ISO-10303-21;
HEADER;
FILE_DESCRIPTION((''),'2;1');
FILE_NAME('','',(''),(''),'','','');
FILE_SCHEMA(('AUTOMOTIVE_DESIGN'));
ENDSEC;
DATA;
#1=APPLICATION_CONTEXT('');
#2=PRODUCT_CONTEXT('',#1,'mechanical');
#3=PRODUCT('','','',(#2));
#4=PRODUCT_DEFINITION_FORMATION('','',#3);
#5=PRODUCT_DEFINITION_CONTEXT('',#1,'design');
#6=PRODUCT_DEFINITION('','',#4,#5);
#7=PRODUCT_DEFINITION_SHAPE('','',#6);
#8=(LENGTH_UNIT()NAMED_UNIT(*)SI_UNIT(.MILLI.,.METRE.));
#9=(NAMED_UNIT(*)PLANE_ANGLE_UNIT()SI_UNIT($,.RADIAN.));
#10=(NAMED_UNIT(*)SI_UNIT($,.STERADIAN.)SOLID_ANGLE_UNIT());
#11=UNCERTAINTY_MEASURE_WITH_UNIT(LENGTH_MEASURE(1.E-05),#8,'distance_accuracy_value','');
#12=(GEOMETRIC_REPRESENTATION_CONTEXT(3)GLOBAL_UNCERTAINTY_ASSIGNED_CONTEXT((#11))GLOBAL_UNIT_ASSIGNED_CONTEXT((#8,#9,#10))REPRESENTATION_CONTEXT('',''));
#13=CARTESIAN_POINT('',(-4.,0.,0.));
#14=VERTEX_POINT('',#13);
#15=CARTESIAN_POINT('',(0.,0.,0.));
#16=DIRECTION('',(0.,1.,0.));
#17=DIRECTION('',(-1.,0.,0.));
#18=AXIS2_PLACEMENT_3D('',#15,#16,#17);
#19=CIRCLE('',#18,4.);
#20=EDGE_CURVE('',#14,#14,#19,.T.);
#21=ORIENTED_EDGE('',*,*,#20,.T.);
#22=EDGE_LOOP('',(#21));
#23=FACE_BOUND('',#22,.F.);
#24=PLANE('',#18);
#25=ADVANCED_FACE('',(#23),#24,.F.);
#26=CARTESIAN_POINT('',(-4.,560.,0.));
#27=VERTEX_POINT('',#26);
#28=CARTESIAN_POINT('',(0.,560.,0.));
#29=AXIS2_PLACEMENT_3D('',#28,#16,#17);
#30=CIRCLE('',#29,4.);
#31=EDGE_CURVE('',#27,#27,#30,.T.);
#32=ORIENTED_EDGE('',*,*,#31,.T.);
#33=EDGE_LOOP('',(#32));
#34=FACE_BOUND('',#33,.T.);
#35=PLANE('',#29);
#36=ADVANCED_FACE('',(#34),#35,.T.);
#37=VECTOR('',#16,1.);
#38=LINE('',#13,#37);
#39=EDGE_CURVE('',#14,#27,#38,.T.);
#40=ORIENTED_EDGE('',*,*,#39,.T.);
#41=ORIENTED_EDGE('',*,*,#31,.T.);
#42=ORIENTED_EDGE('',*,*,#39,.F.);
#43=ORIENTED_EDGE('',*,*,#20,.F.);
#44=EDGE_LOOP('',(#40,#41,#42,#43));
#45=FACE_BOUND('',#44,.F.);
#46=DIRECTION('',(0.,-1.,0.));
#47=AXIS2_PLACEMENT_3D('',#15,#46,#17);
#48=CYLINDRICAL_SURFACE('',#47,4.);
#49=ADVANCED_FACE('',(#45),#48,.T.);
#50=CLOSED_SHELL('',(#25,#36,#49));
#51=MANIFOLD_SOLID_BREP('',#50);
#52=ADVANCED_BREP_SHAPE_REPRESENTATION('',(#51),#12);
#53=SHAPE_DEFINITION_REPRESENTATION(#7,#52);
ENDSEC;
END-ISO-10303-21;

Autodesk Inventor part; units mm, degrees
ref_plane "YZ Plane" through (0, 0, 0) normal (1, 0, 0) x (0, 1, 0)
ref_plane "XZ Plane" through (0, 0, 0) normal (0, 1, 0) x (-1, 0, 0)
ref_plane "XY Plane" through (0, 0, 0) normal (0, 0, 1) x (1, 0, 0)
sketch "Sketch1" plane through (0, 0, 0) normal (0, 1, 0) x (-1, 0, 0)
  circle A0 centre (0, 0) radius 4
  dimension "d0" = 8
extrude "Extrusion1" add sketch "Sketch1" along normal blind 560
equation "\"d0\" = RodDiameter"
equation "\"d1\" = VerticalRodLenght"
equation "\"RodDiameter\" = 8"
equation "\"VerticalRodLenght\" = 560"
equation "\"VerticalBearingOD\" = 16"
equation "\"PrintingClearance\" = 0.2"
equation "\"TubeID\" = 18"
equation "\"XLinearBearingOD\" = 19"
properties part number "VerticalRod"
